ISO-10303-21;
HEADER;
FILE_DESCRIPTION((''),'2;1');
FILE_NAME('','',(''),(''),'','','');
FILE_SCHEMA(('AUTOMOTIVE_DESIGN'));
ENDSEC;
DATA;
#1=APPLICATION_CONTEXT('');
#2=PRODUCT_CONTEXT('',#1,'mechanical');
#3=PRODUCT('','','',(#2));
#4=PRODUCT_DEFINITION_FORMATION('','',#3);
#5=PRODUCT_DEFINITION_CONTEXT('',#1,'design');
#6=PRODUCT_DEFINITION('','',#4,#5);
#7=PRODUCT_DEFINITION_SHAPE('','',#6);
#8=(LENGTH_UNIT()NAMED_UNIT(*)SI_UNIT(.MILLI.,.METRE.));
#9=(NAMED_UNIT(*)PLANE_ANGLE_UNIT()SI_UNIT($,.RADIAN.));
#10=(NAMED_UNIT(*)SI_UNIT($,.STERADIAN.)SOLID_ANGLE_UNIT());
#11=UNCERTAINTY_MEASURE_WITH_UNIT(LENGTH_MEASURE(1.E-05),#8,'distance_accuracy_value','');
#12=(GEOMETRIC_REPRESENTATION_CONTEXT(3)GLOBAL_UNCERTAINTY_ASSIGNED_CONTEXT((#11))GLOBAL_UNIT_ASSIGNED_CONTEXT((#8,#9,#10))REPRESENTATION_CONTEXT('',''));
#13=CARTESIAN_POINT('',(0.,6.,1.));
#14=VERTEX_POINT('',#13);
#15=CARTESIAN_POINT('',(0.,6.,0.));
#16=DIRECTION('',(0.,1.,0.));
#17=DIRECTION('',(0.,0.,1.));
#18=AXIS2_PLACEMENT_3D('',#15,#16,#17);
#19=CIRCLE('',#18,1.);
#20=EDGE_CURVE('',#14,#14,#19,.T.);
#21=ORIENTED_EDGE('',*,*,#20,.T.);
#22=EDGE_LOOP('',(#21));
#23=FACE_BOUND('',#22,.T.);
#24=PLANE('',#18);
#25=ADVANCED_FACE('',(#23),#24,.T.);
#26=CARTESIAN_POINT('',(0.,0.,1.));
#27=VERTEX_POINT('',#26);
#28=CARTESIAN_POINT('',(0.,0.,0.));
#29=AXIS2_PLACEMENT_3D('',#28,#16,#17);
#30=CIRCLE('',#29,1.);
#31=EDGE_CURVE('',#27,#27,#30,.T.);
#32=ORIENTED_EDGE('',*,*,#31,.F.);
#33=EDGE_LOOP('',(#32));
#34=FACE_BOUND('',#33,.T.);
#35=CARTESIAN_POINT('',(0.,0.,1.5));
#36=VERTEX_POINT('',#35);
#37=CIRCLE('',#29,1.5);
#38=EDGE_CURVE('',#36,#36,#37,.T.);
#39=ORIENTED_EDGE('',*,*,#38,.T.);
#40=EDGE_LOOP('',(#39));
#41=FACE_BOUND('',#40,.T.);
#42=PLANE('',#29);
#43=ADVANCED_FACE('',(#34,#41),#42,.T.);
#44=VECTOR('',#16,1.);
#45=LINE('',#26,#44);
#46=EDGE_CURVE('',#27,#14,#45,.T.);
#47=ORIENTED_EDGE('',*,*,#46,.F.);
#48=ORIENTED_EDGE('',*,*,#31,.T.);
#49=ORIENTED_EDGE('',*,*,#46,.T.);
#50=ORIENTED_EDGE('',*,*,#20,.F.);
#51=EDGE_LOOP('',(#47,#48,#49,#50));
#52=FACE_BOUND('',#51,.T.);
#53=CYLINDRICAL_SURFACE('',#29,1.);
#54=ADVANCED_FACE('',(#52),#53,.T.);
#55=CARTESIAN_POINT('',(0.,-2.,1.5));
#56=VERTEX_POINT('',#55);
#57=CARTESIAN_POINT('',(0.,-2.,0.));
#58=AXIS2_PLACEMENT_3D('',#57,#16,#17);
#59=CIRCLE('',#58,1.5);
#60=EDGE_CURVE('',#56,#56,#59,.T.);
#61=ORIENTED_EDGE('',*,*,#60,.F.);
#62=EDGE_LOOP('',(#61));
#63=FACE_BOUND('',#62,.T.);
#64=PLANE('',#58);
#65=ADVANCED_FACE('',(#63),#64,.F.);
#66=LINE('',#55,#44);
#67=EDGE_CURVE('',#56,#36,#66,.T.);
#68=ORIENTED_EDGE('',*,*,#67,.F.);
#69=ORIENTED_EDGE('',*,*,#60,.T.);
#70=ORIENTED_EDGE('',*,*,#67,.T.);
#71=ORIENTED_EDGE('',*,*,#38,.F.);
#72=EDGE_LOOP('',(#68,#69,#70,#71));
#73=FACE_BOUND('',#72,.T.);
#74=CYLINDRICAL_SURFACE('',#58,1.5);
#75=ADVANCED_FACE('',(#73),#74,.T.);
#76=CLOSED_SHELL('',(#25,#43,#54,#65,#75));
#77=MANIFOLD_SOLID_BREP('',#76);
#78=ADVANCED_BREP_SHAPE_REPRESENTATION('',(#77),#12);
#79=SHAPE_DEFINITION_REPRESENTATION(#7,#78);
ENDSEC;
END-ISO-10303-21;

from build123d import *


with BuildPart() as part:
    # Sketch → Revolution (revolve)
    with BuildSketch(Plane.YZ):
        Polygon((-2, 0), (-2, 1.5), (0, 1.5), (0, 1), (6, 1), (6, 0), align=None)
    revolve(axis=Axis((0, 0, 0), (0, 1, 0)))


solid = part.part
